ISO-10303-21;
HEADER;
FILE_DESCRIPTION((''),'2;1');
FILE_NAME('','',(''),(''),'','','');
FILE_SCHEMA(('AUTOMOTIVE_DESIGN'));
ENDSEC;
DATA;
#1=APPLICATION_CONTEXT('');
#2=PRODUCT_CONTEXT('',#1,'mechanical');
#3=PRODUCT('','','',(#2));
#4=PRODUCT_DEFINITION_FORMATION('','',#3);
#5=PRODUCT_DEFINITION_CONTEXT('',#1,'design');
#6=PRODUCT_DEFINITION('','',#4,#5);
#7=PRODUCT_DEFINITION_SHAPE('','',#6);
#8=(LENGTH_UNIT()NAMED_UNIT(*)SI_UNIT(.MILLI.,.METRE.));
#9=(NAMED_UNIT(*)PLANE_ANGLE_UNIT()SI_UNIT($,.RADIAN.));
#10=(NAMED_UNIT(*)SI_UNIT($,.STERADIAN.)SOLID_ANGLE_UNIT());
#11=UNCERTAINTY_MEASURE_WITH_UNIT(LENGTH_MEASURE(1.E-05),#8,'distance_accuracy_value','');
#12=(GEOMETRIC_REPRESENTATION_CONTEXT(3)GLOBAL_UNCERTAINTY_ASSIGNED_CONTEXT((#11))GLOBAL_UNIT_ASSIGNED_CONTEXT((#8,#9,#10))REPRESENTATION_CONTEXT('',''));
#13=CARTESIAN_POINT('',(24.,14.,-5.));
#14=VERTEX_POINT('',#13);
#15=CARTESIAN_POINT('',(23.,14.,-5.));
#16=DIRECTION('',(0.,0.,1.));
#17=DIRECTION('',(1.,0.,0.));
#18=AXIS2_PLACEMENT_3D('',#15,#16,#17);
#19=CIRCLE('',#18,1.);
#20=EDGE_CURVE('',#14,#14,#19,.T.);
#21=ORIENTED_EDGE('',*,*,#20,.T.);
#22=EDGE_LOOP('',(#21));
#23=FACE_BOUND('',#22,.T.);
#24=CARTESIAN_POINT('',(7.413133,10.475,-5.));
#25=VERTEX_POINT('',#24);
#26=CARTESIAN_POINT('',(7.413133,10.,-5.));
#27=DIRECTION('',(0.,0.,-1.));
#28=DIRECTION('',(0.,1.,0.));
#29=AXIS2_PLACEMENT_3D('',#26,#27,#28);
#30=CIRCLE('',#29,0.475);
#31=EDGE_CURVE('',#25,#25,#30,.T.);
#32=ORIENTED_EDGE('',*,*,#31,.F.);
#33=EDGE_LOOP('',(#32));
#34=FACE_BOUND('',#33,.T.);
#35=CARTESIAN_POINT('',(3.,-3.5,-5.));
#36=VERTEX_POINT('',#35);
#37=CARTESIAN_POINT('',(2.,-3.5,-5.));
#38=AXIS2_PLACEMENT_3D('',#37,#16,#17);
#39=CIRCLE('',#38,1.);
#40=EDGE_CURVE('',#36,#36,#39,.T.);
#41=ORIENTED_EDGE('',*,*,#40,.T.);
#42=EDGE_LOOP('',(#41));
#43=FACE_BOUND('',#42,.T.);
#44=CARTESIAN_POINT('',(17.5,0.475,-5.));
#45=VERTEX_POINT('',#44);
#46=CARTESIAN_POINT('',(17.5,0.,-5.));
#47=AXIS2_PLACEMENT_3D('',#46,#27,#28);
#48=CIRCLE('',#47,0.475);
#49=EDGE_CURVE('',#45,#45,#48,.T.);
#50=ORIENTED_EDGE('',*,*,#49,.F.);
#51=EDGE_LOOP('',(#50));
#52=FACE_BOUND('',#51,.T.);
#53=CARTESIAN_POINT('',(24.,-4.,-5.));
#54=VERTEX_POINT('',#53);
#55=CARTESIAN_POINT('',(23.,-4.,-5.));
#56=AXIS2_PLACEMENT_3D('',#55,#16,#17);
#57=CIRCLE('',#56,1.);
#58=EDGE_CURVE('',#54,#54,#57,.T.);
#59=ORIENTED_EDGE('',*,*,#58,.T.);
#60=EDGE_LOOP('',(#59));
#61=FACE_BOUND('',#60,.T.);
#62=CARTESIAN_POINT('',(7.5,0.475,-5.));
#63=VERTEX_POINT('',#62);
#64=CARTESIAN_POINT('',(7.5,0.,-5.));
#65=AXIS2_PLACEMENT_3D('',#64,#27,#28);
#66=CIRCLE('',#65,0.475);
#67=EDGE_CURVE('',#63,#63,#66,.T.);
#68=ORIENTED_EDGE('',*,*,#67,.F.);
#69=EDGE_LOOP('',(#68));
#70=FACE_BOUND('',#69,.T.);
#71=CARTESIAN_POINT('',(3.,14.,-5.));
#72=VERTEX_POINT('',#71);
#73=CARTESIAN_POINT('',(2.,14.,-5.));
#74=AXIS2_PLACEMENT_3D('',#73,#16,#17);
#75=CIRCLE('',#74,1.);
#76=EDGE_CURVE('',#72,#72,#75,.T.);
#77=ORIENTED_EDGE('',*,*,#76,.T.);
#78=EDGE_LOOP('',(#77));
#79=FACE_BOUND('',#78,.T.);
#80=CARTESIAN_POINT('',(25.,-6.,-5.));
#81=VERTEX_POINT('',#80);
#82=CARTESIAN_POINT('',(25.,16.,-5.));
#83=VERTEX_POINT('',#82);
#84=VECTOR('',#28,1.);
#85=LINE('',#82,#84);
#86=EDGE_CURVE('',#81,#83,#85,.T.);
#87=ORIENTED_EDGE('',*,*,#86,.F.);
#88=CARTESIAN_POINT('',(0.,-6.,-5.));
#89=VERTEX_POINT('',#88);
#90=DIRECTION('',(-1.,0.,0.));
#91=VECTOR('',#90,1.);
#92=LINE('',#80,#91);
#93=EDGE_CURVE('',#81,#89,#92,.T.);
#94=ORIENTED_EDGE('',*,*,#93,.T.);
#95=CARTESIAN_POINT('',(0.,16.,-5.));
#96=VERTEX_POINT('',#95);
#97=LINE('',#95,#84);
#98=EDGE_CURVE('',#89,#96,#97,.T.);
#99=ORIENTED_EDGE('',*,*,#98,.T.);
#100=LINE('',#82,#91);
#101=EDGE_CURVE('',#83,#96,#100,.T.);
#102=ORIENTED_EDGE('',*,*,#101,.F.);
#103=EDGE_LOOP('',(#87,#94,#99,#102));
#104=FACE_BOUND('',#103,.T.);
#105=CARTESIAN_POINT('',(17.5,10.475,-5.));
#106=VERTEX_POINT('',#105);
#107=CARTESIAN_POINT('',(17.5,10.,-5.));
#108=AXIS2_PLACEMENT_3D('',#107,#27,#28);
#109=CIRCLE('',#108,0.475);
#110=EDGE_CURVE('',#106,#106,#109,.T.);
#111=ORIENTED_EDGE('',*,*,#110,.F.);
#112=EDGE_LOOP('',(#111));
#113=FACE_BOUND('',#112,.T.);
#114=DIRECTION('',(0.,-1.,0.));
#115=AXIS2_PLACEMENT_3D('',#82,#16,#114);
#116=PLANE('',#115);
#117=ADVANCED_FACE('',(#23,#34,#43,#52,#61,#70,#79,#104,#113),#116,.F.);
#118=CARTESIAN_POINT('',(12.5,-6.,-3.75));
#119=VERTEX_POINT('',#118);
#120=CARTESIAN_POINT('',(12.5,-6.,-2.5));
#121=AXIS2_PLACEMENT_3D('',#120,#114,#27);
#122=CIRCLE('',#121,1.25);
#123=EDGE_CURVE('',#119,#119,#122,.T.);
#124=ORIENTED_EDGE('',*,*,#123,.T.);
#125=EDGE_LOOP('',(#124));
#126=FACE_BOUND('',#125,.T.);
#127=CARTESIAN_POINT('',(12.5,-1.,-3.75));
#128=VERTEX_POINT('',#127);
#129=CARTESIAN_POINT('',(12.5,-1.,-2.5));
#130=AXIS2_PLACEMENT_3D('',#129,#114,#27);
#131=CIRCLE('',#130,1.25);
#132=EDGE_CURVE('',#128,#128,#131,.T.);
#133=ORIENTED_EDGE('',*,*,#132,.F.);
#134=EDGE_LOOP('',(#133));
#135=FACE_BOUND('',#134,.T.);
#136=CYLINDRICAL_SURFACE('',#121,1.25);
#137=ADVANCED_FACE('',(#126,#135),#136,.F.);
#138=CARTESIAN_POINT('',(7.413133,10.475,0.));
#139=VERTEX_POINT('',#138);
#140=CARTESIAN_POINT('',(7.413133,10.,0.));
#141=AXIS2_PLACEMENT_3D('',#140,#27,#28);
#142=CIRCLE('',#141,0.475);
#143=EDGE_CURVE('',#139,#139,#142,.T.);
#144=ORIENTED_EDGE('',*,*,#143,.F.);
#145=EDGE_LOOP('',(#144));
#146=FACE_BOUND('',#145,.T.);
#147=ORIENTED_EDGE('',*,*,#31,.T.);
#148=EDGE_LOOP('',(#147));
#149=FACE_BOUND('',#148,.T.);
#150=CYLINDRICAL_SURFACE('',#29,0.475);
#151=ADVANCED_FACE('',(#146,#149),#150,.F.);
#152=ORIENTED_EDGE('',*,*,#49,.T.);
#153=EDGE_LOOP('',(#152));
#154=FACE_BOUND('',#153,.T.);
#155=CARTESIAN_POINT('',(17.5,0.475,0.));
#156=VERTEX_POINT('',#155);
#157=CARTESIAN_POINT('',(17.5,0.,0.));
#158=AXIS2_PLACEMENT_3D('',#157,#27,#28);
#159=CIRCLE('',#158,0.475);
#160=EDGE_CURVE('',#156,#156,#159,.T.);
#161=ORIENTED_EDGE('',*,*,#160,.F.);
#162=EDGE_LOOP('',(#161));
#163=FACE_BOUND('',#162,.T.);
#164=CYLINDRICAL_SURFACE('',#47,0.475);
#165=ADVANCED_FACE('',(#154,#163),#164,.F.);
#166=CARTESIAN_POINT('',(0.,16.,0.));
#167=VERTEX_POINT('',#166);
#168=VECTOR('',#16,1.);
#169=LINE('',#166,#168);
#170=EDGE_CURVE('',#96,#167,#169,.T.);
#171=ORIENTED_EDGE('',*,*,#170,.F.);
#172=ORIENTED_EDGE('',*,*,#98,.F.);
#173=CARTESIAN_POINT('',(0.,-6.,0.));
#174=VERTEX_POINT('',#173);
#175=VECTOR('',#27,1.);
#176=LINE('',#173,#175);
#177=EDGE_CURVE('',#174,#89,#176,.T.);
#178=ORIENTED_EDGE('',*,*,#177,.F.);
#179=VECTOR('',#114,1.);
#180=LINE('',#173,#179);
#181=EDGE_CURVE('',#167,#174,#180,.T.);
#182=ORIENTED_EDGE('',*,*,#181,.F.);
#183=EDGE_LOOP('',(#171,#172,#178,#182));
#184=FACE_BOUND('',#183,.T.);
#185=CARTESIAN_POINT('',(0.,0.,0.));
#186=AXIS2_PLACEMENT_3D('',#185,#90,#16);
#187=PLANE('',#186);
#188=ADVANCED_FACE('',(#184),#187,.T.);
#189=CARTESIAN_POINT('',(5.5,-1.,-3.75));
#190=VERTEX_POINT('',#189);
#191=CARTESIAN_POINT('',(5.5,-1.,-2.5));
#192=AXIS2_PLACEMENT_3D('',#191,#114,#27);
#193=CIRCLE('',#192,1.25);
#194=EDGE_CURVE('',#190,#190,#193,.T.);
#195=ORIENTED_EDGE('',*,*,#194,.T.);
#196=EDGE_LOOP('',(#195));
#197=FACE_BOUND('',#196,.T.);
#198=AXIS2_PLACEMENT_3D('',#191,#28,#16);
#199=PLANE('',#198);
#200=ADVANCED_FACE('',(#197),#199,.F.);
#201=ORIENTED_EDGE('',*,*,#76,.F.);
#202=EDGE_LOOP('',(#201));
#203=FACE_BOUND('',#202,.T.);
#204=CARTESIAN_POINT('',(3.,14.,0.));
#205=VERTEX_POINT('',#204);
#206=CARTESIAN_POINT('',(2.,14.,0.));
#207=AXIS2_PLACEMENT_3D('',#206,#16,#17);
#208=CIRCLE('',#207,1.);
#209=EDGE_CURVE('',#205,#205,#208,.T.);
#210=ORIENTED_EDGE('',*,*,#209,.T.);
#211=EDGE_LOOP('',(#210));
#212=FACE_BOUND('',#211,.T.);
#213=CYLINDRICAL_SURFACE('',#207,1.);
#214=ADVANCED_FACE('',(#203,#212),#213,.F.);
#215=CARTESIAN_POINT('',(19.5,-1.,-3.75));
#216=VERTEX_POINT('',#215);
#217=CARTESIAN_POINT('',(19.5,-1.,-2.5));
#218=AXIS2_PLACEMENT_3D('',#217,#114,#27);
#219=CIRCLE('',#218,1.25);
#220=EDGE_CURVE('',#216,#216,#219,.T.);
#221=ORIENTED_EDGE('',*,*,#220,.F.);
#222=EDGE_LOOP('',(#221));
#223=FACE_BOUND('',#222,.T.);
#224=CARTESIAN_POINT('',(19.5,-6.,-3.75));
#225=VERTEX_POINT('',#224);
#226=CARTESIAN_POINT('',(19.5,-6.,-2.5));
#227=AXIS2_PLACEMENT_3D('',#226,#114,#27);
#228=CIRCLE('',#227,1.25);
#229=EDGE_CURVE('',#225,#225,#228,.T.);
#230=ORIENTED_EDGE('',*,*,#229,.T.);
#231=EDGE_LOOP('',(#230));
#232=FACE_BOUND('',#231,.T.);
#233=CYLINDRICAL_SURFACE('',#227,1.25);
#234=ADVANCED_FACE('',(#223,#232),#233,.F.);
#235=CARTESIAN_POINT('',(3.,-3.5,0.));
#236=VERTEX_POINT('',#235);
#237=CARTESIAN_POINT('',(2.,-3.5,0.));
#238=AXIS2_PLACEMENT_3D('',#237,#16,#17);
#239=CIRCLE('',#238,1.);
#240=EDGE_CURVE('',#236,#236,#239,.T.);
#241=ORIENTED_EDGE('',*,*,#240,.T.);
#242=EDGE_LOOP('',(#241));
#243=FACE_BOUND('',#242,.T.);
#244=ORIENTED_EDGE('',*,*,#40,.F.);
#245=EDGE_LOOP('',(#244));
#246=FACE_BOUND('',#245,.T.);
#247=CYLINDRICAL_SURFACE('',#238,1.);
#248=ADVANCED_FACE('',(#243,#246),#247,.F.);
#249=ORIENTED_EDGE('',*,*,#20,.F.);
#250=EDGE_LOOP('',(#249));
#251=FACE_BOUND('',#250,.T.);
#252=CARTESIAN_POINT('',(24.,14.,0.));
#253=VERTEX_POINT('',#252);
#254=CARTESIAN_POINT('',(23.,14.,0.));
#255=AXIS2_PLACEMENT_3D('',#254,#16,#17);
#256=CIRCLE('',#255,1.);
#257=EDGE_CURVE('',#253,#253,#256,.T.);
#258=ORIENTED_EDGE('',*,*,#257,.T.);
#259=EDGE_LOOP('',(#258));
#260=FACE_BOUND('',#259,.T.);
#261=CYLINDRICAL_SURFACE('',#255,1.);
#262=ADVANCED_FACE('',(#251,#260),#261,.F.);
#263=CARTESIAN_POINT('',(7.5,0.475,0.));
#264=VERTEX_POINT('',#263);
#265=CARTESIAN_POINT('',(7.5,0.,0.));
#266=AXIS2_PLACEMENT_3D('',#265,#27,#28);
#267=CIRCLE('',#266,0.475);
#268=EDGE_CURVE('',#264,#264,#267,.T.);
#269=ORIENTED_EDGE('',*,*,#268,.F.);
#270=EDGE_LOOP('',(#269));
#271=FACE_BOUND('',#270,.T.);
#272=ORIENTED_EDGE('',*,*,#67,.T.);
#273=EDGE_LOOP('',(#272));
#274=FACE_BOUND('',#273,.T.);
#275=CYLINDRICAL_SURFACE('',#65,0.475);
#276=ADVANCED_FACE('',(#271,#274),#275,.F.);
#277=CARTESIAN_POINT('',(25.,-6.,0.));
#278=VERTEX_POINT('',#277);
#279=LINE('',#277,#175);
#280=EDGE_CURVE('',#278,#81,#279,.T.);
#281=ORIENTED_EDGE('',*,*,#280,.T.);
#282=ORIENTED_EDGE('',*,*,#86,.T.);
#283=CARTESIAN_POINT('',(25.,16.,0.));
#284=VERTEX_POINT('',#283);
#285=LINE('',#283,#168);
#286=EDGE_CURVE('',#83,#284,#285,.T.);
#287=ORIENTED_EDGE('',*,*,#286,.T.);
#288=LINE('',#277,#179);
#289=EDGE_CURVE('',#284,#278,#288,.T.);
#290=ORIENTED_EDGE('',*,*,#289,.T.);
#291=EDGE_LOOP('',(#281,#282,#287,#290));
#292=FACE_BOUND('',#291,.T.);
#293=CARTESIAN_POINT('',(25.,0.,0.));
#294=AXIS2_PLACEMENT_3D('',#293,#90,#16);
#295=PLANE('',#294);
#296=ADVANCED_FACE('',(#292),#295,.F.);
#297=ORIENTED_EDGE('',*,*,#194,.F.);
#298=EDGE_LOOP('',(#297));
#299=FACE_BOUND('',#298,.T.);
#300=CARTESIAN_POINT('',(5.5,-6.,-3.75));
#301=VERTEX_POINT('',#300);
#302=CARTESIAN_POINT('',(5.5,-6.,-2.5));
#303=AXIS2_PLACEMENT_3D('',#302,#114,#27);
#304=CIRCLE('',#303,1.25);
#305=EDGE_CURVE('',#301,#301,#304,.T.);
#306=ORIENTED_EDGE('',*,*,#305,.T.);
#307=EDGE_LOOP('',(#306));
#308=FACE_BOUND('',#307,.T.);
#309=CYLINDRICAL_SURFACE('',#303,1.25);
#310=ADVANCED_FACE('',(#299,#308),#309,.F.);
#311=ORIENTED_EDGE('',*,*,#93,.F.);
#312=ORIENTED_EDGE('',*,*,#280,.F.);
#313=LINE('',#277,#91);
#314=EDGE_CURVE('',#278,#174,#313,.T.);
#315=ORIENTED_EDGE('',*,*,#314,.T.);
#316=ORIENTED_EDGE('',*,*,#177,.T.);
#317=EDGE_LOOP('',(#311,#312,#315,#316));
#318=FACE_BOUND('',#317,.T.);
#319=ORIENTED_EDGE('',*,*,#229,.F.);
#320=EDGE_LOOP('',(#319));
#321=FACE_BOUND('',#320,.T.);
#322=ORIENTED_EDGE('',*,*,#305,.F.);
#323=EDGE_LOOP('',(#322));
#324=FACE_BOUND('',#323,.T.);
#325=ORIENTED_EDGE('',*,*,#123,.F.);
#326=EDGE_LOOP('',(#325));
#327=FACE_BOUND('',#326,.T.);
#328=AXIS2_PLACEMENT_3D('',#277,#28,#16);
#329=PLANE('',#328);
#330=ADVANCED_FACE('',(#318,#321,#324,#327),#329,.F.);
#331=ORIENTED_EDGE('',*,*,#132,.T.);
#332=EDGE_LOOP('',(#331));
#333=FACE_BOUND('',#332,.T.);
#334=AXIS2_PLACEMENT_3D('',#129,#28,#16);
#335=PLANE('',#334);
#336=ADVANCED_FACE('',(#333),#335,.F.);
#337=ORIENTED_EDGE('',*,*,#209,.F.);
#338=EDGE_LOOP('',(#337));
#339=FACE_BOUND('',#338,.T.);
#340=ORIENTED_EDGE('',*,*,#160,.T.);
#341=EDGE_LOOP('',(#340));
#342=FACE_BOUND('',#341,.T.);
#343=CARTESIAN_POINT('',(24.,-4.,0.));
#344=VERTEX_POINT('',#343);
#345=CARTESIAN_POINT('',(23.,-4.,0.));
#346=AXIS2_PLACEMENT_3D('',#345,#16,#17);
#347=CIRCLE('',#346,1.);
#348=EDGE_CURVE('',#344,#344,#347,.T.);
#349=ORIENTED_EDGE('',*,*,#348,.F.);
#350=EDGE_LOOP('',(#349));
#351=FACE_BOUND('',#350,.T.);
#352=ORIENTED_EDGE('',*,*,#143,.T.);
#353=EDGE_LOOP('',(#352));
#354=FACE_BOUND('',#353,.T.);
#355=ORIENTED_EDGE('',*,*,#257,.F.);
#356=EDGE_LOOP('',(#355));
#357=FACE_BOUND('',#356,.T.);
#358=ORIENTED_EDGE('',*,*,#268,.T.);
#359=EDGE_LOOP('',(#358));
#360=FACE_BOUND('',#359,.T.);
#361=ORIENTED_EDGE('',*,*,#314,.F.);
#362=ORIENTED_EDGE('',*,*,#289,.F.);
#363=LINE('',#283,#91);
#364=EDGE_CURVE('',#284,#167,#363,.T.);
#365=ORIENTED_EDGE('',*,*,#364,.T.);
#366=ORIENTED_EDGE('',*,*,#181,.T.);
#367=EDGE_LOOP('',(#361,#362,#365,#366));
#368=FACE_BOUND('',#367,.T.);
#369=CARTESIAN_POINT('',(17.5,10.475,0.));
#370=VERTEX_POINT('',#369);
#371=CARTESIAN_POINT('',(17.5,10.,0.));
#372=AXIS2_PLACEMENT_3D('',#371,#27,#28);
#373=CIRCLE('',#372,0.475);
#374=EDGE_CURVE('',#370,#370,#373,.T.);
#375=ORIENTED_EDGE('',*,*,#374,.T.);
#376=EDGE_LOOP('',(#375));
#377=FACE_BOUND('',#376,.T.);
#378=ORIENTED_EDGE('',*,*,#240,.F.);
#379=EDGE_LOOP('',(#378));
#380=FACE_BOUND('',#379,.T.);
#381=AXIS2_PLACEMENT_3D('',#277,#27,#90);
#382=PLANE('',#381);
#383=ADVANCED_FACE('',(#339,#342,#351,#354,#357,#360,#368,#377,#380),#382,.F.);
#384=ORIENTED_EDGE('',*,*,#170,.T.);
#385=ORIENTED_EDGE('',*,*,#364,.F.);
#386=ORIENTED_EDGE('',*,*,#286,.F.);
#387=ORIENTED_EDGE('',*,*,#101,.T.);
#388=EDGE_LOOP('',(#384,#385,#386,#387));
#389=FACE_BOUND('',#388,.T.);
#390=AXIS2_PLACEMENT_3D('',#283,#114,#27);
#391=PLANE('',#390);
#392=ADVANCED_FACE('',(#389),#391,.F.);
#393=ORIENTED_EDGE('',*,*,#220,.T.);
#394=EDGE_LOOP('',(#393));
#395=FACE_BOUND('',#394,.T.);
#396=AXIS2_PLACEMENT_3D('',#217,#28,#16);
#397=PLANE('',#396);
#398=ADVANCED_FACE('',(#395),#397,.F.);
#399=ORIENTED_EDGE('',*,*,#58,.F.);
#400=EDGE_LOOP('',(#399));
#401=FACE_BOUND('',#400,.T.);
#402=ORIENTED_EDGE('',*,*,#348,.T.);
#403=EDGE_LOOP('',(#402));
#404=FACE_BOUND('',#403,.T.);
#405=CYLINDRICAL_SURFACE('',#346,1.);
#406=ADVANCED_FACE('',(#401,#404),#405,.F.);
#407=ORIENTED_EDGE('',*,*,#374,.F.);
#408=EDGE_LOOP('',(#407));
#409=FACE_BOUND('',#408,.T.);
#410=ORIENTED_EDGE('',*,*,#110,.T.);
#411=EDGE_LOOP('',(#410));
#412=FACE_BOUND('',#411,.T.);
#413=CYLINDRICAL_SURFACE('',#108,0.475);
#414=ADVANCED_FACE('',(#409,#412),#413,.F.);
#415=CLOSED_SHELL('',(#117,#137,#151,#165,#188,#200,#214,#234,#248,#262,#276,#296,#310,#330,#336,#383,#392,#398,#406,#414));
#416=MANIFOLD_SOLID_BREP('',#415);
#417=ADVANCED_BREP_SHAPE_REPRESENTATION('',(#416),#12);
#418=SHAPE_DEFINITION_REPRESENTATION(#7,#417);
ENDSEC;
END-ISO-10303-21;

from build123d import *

# Parameters (mm, degrees)
SKETCH2_W                          = 5
SKETCH2_H                          = 22
BOSS_EXTRUDE1_DEPTH                = 25
TAP_DRILL_FOR_M2_5X0_45_TAP1_D     = 2.5
TAP_DRILL_FOR_M2_5X0_45_TAP1_DEPTH = 5
TAP_DRILL_FOR_M1_2X0_25_TAP1_D     = 0.95
TAP_DRILL_FOR_M2X0_4_TAP1_D        = 2


with BuildPart() as part:
    # Sketch2 → Boss-Extrude1 (new body)
    with BuildSketch(Plane(origin=(0, 0, 0), x_dir=(0, 0, -1), z_dir=(1, 0, 0))):
        with Locations((2.5, 5)):
            Rectangle(SKETCH2_W, SKETCH2_H)
    extrude(amount=BOSS_EXTRUDE1_DEPTH)

    # Tap Drill for M2.5x0.45 Tap1
    with Locations(Plane(origin=(0, -6, 0), x_dir=(-1, 0, 0), z_dir=(0, -1, 0))):
        with Locations((-19.5, 2.5), (-12.5, 2.5), (-5.5, 2.5)):
            Hole(TAP_DRILL_FOR_M2_5X0_45_TAP1_D / 2, depth=TAP_DRILL_FOR_M2_5X0_45_TAP1_DEPTH)

    # Tap Drill for M1.2x0.25 Tap1 (through all)
    with Locations(Plane(origin=(0, 0, -5), x_dir=(-1, 0, 0), z_dir=(0, 0, -1))):
        with Locations((-17.5, 10), (-7.413132908, 10), (-17.5, 0), (-7.5, 0)):
            Hole(TAP_DRILL_FOR_M1_2X0_25_TAP1_D / 2)

    # Tap Drill for M2x0.4 Tap1 (through all)
    with Locations(Plane.XY):
        with Locations((2, 14), (2, -3.5), (23, -4), (23, 14)):
            Hole(TAP_DRILL_FOR_M2X0_4_TAP1_D / 2)


solid = part.part
